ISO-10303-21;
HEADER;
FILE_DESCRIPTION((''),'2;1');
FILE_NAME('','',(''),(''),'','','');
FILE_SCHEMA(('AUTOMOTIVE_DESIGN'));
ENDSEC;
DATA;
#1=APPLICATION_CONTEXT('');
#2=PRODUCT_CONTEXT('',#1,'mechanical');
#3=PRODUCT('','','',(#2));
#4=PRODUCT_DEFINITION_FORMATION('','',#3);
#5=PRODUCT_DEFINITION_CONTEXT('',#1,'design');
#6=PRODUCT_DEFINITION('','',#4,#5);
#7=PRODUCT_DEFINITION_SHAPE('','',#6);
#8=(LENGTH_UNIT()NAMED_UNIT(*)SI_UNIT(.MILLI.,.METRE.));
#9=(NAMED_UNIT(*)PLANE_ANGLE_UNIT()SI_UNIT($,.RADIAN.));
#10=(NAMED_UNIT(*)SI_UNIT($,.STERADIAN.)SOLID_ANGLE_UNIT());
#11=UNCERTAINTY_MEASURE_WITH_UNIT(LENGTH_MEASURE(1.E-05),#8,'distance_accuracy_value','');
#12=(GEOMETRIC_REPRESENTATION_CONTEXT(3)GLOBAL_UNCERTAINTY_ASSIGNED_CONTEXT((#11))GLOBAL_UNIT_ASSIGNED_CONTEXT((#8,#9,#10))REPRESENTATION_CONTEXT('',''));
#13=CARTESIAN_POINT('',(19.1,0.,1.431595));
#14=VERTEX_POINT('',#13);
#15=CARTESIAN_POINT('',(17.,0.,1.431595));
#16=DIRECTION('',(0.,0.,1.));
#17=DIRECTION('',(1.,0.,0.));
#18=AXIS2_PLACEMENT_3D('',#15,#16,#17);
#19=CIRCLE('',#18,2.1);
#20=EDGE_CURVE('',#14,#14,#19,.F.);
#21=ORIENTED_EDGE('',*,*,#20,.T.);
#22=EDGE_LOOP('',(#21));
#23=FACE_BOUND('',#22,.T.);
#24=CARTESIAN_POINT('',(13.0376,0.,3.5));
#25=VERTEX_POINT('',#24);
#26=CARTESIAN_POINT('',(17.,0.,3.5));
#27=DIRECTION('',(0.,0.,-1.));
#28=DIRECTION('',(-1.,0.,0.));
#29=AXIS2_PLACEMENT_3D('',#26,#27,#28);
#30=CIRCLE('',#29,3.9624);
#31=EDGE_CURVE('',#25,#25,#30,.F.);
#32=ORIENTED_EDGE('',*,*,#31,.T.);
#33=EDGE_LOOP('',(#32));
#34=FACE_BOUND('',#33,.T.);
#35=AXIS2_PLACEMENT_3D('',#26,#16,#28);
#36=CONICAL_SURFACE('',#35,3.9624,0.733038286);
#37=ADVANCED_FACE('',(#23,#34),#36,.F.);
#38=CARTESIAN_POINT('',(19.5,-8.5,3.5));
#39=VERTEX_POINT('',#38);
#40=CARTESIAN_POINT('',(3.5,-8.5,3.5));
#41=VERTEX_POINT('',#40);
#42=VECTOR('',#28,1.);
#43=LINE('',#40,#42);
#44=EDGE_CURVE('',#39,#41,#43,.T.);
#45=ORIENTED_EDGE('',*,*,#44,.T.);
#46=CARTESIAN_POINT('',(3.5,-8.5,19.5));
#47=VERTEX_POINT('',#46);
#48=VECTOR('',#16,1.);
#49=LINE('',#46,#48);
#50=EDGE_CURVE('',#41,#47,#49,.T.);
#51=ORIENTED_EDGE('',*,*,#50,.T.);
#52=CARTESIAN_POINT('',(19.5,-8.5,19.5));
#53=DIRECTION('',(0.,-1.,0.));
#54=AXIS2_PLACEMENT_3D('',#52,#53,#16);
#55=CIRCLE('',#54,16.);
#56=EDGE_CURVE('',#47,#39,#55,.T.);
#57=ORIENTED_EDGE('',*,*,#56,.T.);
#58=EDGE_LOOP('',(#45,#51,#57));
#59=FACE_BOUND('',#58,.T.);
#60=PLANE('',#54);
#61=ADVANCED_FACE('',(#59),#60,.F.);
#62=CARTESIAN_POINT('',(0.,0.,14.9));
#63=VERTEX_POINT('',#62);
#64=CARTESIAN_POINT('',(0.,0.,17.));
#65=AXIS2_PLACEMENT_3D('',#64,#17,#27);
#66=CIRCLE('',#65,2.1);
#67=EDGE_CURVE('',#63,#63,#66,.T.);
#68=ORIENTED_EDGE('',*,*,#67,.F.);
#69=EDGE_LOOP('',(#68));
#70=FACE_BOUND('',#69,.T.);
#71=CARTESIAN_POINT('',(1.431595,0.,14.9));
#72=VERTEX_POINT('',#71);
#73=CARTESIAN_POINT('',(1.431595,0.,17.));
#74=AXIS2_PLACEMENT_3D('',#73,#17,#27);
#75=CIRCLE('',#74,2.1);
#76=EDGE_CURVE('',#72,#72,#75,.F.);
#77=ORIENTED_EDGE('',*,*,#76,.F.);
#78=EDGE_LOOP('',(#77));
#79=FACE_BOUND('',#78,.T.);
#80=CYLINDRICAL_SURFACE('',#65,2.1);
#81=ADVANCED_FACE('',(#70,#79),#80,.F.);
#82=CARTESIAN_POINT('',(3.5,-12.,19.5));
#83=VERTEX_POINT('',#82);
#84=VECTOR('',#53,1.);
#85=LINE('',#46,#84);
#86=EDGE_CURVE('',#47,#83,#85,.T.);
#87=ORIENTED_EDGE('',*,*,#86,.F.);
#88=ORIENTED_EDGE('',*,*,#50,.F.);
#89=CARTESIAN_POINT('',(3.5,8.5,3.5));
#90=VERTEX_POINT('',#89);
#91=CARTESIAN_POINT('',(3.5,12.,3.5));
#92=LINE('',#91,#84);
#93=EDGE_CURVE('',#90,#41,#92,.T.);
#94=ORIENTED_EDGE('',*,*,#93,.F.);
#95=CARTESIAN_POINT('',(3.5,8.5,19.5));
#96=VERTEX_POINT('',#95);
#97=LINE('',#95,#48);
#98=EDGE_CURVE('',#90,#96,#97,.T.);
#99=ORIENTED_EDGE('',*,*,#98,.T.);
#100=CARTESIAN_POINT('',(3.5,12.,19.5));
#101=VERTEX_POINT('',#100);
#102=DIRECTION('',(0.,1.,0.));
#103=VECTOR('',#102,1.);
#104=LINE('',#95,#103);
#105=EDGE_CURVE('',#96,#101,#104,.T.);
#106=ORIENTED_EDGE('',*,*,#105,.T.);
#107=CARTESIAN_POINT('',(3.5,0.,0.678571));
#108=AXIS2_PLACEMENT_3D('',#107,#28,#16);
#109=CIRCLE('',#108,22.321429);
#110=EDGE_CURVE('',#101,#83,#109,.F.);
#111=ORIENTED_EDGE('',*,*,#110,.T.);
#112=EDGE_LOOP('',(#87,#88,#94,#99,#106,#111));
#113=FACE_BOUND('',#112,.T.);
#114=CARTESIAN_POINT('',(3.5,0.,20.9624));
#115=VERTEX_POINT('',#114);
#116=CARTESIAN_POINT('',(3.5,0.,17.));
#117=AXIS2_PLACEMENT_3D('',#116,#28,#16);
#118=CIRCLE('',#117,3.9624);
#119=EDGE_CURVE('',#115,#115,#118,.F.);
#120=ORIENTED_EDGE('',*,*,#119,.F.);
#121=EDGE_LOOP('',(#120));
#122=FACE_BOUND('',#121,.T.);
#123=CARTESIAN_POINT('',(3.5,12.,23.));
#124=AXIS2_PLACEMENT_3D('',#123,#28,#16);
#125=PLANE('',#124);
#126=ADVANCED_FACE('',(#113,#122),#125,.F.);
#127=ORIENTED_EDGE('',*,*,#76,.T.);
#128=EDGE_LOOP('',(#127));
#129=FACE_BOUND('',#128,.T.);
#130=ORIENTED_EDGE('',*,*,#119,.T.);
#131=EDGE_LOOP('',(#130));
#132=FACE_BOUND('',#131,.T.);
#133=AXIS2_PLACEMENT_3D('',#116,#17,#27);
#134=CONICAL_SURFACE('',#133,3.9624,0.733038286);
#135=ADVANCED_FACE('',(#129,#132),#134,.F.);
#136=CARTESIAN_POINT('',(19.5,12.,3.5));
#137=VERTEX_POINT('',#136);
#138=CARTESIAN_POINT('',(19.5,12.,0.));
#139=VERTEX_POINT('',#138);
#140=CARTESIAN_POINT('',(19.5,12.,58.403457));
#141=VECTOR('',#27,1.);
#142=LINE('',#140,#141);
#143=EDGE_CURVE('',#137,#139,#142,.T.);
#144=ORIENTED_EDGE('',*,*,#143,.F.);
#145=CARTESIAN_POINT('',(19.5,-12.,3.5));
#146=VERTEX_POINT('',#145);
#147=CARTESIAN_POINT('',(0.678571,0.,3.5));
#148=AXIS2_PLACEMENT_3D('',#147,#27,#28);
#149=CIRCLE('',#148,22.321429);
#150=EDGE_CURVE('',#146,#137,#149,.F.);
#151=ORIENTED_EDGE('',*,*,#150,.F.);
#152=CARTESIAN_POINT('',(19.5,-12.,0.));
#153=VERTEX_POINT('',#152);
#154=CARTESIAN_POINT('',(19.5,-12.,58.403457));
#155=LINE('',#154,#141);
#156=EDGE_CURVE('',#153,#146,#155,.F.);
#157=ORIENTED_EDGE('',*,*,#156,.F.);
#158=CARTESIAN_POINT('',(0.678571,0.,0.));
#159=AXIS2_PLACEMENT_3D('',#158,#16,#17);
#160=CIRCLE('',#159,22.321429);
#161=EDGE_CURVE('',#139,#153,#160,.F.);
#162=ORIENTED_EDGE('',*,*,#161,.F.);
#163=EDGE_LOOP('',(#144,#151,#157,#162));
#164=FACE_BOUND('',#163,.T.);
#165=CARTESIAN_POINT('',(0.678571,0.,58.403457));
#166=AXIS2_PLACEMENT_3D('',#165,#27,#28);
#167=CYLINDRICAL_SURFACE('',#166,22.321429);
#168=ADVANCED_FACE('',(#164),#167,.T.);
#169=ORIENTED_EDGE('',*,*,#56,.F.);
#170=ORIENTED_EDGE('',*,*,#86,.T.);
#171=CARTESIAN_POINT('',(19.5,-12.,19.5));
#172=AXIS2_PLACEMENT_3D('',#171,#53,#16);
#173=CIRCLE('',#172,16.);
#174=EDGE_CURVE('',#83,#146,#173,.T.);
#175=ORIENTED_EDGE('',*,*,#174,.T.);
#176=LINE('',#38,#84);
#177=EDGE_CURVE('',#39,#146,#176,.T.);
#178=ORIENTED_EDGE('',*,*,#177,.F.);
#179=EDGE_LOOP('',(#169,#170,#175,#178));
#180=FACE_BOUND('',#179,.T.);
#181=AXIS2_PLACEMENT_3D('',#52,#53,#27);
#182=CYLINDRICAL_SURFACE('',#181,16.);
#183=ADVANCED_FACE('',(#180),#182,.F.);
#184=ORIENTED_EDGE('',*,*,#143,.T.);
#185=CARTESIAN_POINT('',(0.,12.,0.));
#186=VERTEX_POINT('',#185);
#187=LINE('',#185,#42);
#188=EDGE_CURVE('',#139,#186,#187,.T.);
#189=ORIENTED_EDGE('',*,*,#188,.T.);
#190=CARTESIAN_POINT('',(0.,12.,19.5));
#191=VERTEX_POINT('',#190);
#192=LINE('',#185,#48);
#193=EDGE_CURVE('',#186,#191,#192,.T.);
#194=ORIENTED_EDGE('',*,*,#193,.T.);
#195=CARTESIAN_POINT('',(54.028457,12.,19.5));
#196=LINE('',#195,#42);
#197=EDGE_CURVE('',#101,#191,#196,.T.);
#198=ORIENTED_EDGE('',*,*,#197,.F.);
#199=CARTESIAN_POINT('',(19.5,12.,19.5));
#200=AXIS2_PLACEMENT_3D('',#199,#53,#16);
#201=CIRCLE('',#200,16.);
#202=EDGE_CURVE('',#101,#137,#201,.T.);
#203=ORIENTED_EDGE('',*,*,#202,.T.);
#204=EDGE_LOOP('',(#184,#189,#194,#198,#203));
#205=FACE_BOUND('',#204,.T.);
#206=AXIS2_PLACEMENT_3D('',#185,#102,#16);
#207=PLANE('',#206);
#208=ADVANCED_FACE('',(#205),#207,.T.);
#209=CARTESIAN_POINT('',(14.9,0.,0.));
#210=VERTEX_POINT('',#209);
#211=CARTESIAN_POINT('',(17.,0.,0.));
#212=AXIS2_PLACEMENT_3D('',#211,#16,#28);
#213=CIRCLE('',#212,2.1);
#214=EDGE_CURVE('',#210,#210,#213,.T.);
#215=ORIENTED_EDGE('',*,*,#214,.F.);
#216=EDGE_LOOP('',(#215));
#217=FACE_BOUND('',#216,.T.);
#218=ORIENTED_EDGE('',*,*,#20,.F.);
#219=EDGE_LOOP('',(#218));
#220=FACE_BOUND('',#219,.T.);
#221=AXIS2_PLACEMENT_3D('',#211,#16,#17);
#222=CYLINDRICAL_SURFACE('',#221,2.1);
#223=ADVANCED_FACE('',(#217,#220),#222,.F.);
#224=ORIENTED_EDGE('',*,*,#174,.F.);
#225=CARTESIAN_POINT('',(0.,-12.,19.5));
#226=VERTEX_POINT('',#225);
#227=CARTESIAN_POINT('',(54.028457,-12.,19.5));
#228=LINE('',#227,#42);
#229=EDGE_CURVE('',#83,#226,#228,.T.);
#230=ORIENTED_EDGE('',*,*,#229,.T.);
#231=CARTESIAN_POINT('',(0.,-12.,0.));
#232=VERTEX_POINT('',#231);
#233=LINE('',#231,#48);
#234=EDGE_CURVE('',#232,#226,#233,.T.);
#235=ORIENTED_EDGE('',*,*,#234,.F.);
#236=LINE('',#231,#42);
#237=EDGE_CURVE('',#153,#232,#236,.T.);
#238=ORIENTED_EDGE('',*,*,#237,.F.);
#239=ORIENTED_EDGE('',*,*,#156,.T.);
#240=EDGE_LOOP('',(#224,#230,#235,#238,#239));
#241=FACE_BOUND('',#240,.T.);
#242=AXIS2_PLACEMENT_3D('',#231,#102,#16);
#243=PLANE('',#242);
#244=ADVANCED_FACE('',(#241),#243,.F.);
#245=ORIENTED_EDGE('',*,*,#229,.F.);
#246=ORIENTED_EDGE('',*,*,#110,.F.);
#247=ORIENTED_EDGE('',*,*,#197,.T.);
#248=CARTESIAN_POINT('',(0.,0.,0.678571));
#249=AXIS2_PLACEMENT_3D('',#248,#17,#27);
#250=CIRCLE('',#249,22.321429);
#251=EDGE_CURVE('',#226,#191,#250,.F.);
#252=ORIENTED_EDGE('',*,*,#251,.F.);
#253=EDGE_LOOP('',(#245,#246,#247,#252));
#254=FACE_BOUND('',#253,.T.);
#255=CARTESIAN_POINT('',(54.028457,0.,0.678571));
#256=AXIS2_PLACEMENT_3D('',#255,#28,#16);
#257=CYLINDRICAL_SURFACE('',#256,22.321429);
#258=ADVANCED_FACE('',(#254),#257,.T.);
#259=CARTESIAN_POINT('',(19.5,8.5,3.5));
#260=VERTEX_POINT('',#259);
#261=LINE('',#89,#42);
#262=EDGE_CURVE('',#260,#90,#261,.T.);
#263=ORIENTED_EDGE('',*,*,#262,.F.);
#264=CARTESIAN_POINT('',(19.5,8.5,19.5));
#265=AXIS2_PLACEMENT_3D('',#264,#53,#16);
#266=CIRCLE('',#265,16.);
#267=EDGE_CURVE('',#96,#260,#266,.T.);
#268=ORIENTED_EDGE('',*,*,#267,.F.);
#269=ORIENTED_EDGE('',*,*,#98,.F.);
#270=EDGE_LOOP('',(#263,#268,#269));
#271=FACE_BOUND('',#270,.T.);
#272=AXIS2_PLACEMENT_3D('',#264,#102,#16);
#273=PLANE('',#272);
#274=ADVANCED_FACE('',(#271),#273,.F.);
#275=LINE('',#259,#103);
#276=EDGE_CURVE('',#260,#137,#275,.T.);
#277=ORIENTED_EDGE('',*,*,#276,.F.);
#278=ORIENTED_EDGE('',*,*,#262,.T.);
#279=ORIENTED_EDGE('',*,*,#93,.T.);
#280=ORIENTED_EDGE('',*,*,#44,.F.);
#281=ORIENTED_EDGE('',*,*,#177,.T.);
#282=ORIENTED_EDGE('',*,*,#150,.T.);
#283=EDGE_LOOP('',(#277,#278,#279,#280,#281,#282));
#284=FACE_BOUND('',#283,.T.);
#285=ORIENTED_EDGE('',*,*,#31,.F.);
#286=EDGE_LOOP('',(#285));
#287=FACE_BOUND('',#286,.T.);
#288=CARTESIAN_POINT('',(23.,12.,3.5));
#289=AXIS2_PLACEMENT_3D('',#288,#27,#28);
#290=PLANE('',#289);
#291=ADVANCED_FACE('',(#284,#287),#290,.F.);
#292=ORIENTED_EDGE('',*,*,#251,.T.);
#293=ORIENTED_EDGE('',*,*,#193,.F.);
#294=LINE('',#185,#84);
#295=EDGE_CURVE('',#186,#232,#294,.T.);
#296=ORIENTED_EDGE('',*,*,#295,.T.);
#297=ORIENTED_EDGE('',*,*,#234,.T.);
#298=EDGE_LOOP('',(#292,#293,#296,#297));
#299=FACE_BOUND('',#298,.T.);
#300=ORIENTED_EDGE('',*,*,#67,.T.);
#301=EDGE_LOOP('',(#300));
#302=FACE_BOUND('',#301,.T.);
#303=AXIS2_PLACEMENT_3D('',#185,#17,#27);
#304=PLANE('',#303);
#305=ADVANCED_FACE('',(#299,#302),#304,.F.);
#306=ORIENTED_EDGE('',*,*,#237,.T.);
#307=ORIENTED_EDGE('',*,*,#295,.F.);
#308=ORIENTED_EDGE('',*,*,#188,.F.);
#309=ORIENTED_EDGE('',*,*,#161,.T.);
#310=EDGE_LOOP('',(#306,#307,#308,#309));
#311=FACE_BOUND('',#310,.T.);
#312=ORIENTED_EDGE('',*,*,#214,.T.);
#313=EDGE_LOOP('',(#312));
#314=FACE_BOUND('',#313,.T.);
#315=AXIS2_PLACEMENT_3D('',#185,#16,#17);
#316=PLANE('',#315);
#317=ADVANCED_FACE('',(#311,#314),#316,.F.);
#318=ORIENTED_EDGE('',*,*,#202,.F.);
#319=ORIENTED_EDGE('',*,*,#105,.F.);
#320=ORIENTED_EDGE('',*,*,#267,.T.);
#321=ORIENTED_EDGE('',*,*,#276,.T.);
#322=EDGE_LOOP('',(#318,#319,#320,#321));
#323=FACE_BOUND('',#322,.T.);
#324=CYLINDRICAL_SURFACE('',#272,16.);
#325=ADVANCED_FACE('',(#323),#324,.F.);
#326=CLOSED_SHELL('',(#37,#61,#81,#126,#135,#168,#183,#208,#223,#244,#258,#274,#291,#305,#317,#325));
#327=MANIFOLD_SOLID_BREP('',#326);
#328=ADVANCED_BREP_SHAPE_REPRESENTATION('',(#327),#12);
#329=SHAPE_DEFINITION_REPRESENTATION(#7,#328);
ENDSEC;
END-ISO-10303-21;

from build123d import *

# Parameters (mm, degrees)
BOSS_EXTRUDE1_DEPTH          = 12
BOSS_EXTRUDE1_DEPTH_BACK     = 12
BOSS_EXTRUDE2_DEPTH          = 3.5
CUT_EXTRUDE3_START           = -4.5
CUT_EXTRUDE3_DEPTH           = 25
CUT_EXTRUDE1_START           = -4.5
SKETCH5_R                    = 2.1
CUT_EXTRUDE1_DEPTH           = 25
SKETCH6_R                    = 3.9624
CUT_EXTRUDE2_DEPTH           = 3.5
CUT_EXTRUDE2_TAPER           = 42
CUT_EXTRUDE2_OTHER_WAY_DEPTH = 3.048
CUT_EXTRUDE2_OTHER_WAY_TAPER = 42
CIRPATTERN2_COUNT            = 2
CIRPATTERN2_ANGLE            = 180


with BuildPart() as part:
    # Sketch3 → Boss-Extrude1 (new body, two sides)
    with BuildSketch(Plane(origin=(0, 0, 0), x_dir=(1, 0, 0), z_dir=(0, 1, 0))) as boss_extrude1_sk:
        Polygon((0, -23), (3.5, -23), (3.5, -3.5), (23, -3.5), (23, 0), (0, 0), align=None)
    extrude(amount=BOSS_EXTRUDE1_DEPTH)
    extrude(boss_extrude1_sk.sketch, amount=-BOSS_EXTRUDE1_DEPTH_BACK)

    # Sketch8 → Boss-Extrude2 (add)
    with BuildSketch(Plane(origin=(0, 12, 0), x_dir=(1, 0, 0), z_dir=(0, 1, 0))):
        with BuildLine():
            Line((3.5, -3.5), (19.5, -3.5))
            ThreePointArc((19.5, -3.5), (8.186291501, -8.186291501), (3.5, -19.5))
            Line((3.5, -19.5), (3.5, -3.5))
        make_face()
    boss_extrude2 = extrude(amount=-BOSS_EXTRUDE2_DEPTH)

    # Mirror1: Boss-Extrude2 across plane
    add(boss_extrude2.mirror(Plane.ZX))

    # Sketch7 → Cut-Extrude3 (cut)
    with BuildSketch(Plane(origin=(3.5, 0, 0), x_dir=(0, 0, -1), z_dir=(1, 0, 0)).offset(CUT_EXTRUDE3_START)):
        with BuildLine():
            Line((19.124723765, 72.581039953), (-19.5, 12))
            ThreePointArc((-19.5, 12), (-23, 0), (-19.5, -12))
            Line((-19.5, -12), (19.124723765, -72.581039953))
            Line((19.124723765, -72.581039953), (-124.568445004, -72.581039953))
            Line((-124.568445004, -72.581039953), (-124.568445004, 72.581039953))
            Line((-124.568445004, 72.581039953), (19.124723765, 72.581039953))
        make_face()
    cut_extrude3 = extrude(amount=CUT_EXTRUDE3_DEPTH, mode=Mode.SUBTRACT)

    # Sketch5 → Cut-Extrude1 (cut)
    with BuildSketch(Plane(origin=(3.5, 0, 0), x_dir=(0, 0, -1), z_dir=(1, 0, 0)).offset(CUT_EXTRUDE1_START)):
        with Locations((-17, 0)):
            Circle(SKETCH5_R)
    cut_extrude1 = extrude(amount=CUT_EXTRUDE1_DEPTH, mode=Mode.SUBTRACT)

    # Sketch6 → Cut-Extrude2 (cut)
    with BuildSketch(Plane(origin=(3.5, 0, 0), x_dir=(0, 0, -1), z_dir=(1, 0, 0))):
        with Locations((-17, 0)):
            Circle(SKETCH6_R)
    cut_extrude2 = extrude(amount=-CUT_EXTRUDE2_DEPTH, taper=CUT_EXTRUDE2_TAPER, mode=Mode.SUBTRACT)

    # Sketch6 → Cut-Extrude2 other way (cut)
    with BuildSketch(Plane(origin=(3.5, 0, 0), x_dir=(0, 0, -1), z_dir=(1, 0, 0))):
        with Locations((-17, 0)):
            Circle(SKETCH6_R)
    extrude(amount=CUT_EXTRUDE2_OTHER_WAY_DEPTH, taper=CUT_EXTRUDE2_OTHER_WAY_TAPER, mode=Mode.SUBTRACT)

    # CirPattern2: Cut-Extrude3, Cut-Extrude1, Cut-Extrude2 ×2 about axis
    cirpattern2_axis = Axis((0, 0, 0), (0.707106781, 0, 0.707106781))
    for i in range(1, CIRPATTERN2_COUNT):
        add(cut_extrude3.rotate(cirpattern2_axis, i * CIRPATTERN2_ANGLE / (CIRPATTERN2_COUNT - 1)), mode=Mode.SUBTRACT)
        add(cut_extrude1.rotate(cirpattern2_axis, i * CIRPATTERN2_ANGLE / (CIRPATTERN2_COUNT - 1)), mode=Mode.SUBTRACT)
        add(cut_extrude2.rotate(cirpattern2_axis, i * CIRPATTERN2_ANGLE / (CIRPATTERN2_COUNT - 1)), mode=Mode.SUBTRACT)


solid = part.part
